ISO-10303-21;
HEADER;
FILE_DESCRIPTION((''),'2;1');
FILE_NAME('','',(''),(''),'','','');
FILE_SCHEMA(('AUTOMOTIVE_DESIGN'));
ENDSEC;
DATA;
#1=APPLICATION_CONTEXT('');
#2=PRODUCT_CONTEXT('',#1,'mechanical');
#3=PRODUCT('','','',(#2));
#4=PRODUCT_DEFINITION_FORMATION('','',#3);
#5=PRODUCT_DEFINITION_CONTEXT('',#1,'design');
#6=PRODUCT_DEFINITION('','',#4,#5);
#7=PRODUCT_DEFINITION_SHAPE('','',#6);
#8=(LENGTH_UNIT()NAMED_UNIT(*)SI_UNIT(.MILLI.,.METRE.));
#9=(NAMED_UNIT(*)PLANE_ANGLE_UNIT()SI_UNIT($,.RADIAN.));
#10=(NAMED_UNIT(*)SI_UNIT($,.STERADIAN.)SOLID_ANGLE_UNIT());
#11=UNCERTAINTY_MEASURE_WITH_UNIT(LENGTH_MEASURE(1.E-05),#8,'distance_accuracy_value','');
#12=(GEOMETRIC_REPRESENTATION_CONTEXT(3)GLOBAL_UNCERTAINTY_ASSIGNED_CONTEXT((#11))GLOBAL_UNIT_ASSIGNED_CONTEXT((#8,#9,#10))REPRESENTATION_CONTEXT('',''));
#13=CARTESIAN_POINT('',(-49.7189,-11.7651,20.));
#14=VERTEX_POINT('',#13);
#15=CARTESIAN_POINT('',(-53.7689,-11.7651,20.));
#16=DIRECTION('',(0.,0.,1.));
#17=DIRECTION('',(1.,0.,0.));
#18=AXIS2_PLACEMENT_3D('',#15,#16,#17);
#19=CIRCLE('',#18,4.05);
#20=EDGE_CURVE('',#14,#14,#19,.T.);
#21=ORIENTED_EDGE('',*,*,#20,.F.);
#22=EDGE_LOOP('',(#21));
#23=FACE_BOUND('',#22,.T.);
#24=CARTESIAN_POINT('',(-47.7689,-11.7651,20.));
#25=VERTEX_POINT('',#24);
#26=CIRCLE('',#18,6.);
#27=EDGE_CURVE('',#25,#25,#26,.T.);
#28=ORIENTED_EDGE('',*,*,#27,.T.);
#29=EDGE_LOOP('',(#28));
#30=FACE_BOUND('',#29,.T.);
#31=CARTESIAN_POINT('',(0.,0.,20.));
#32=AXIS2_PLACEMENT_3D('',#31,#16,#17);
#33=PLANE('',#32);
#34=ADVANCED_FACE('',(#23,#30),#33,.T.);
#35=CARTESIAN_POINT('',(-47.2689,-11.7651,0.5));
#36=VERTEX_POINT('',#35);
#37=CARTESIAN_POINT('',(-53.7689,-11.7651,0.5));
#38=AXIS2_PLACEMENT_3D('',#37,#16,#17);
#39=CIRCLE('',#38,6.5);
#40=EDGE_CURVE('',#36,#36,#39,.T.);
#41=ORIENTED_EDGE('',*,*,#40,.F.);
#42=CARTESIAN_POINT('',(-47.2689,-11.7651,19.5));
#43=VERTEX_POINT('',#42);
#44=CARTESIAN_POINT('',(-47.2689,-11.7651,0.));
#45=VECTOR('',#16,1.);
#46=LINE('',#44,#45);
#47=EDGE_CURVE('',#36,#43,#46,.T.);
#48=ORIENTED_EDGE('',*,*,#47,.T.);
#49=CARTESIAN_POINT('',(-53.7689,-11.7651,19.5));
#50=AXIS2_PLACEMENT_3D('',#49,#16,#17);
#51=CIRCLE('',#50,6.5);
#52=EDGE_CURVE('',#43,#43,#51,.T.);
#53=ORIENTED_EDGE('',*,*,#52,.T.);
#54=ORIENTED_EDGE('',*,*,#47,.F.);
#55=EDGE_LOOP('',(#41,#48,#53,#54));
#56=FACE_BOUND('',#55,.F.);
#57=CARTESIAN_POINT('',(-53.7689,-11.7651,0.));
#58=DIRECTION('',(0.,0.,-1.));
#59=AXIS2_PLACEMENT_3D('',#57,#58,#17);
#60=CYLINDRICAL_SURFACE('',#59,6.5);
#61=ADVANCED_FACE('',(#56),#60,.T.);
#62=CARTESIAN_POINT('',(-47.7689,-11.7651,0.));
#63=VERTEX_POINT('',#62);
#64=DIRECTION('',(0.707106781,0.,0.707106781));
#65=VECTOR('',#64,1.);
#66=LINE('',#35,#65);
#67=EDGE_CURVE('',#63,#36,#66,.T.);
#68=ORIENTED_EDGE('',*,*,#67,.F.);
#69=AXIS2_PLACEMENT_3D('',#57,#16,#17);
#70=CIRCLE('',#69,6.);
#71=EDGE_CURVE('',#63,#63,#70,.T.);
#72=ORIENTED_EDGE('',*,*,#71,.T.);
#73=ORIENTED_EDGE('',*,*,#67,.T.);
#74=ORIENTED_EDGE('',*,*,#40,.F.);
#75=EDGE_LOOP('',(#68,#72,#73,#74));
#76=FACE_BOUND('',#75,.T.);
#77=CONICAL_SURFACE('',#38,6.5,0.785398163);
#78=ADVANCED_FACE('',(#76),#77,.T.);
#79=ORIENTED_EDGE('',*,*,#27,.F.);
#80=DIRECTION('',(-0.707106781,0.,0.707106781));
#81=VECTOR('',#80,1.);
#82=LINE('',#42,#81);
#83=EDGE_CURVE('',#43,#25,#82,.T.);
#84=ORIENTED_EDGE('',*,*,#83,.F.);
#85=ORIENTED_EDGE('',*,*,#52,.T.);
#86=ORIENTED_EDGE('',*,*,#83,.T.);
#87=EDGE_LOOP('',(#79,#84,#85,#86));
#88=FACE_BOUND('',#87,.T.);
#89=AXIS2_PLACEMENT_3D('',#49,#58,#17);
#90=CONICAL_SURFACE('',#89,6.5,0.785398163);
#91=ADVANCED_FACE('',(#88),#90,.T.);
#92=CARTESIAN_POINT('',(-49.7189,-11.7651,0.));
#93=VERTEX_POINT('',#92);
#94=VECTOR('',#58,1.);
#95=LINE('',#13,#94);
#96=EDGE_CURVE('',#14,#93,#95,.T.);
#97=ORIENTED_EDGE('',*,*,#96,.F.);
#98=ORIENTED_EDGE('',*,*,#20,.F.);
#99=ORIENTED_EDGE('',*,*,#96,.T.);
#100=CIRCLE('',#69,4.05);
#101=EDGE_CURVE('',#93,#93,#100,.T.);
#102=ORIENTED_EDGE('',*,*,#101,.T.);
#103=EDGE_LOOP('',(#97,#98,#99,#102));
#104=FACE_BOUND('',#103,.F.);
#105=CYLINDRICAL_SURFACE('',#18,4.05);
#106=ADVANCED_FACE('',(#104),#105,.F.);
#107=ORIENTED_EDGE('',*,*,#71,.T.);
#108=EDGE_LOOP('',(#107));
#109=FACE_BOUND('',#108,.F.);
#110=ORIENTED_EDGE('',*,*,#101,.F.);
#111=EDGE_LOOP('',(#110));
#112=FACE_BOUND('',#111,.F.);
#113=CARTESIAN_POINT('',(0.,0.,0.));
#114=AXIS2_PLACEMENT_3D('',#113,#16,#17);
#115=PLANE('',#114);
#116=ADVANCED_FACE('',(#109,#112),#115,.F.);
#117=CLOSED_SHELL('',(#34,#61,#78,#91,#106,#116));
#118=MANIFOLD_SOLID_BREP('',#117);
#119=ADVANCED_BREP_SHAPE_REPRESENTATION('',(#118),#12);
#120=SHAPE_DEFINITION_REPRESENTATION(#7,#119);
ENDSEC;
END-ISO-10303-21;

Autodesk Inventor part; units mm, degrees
ref_plane "YZ Plane" through (0, 0, 0) normal (1, 0, 0) x (0, 1, 0)
ref_plane "XZ Plane" through (0, 0, 0) normal (0, 1, 0) x (-1, 0, 0)
ref_plane "XY Plane" through (0, 0, 0) normal (0, 0, 1) x (1, 0, 0)
ref_plane "Work Plane1" through (0, 0, 0) normal (0, 0, 1) x (1, 0, 0)
sketch "Sketch1" plane through (0, 0, 0) normal (0, 0, 1) x (1, 0, 0)
  circle A0 centre (-53.7689, -11.7651) radius 3.2332 projected
  circle A1 centre (-53.7689, -11.7651) radius 4.05
  circle A2 centre (-53.7689, -11.7651) radius 6.5
  point P0 (0, 0)
  point P1 (-52.2586, -9.305)
  dimension "d0" = 8.1
  dimension "d1" = 13
extrude "Extrusion1" add sketch "Sketch1" along normal blind 20 contours A0 | A1 | A2
chamfer "Chamfer1" distance 0.5 angle 45 2 edges at (-60.2689, -11.7651, 0) (-60.2689, -11.7651, 20)
sketch "Sketch2" plane through (-53.7689, -11.7651, 20) normal (0, 0, 1) x (1, 0, 0)
  circle A0 centre (0, 0) radius 4.05
  point P0 (53.7689, 11.7651)
  dimension "d7" = 8.1
extrude "Extrusion2" cut sketch "Sketch2" against normal blind 20
properties part number "Spacers"
